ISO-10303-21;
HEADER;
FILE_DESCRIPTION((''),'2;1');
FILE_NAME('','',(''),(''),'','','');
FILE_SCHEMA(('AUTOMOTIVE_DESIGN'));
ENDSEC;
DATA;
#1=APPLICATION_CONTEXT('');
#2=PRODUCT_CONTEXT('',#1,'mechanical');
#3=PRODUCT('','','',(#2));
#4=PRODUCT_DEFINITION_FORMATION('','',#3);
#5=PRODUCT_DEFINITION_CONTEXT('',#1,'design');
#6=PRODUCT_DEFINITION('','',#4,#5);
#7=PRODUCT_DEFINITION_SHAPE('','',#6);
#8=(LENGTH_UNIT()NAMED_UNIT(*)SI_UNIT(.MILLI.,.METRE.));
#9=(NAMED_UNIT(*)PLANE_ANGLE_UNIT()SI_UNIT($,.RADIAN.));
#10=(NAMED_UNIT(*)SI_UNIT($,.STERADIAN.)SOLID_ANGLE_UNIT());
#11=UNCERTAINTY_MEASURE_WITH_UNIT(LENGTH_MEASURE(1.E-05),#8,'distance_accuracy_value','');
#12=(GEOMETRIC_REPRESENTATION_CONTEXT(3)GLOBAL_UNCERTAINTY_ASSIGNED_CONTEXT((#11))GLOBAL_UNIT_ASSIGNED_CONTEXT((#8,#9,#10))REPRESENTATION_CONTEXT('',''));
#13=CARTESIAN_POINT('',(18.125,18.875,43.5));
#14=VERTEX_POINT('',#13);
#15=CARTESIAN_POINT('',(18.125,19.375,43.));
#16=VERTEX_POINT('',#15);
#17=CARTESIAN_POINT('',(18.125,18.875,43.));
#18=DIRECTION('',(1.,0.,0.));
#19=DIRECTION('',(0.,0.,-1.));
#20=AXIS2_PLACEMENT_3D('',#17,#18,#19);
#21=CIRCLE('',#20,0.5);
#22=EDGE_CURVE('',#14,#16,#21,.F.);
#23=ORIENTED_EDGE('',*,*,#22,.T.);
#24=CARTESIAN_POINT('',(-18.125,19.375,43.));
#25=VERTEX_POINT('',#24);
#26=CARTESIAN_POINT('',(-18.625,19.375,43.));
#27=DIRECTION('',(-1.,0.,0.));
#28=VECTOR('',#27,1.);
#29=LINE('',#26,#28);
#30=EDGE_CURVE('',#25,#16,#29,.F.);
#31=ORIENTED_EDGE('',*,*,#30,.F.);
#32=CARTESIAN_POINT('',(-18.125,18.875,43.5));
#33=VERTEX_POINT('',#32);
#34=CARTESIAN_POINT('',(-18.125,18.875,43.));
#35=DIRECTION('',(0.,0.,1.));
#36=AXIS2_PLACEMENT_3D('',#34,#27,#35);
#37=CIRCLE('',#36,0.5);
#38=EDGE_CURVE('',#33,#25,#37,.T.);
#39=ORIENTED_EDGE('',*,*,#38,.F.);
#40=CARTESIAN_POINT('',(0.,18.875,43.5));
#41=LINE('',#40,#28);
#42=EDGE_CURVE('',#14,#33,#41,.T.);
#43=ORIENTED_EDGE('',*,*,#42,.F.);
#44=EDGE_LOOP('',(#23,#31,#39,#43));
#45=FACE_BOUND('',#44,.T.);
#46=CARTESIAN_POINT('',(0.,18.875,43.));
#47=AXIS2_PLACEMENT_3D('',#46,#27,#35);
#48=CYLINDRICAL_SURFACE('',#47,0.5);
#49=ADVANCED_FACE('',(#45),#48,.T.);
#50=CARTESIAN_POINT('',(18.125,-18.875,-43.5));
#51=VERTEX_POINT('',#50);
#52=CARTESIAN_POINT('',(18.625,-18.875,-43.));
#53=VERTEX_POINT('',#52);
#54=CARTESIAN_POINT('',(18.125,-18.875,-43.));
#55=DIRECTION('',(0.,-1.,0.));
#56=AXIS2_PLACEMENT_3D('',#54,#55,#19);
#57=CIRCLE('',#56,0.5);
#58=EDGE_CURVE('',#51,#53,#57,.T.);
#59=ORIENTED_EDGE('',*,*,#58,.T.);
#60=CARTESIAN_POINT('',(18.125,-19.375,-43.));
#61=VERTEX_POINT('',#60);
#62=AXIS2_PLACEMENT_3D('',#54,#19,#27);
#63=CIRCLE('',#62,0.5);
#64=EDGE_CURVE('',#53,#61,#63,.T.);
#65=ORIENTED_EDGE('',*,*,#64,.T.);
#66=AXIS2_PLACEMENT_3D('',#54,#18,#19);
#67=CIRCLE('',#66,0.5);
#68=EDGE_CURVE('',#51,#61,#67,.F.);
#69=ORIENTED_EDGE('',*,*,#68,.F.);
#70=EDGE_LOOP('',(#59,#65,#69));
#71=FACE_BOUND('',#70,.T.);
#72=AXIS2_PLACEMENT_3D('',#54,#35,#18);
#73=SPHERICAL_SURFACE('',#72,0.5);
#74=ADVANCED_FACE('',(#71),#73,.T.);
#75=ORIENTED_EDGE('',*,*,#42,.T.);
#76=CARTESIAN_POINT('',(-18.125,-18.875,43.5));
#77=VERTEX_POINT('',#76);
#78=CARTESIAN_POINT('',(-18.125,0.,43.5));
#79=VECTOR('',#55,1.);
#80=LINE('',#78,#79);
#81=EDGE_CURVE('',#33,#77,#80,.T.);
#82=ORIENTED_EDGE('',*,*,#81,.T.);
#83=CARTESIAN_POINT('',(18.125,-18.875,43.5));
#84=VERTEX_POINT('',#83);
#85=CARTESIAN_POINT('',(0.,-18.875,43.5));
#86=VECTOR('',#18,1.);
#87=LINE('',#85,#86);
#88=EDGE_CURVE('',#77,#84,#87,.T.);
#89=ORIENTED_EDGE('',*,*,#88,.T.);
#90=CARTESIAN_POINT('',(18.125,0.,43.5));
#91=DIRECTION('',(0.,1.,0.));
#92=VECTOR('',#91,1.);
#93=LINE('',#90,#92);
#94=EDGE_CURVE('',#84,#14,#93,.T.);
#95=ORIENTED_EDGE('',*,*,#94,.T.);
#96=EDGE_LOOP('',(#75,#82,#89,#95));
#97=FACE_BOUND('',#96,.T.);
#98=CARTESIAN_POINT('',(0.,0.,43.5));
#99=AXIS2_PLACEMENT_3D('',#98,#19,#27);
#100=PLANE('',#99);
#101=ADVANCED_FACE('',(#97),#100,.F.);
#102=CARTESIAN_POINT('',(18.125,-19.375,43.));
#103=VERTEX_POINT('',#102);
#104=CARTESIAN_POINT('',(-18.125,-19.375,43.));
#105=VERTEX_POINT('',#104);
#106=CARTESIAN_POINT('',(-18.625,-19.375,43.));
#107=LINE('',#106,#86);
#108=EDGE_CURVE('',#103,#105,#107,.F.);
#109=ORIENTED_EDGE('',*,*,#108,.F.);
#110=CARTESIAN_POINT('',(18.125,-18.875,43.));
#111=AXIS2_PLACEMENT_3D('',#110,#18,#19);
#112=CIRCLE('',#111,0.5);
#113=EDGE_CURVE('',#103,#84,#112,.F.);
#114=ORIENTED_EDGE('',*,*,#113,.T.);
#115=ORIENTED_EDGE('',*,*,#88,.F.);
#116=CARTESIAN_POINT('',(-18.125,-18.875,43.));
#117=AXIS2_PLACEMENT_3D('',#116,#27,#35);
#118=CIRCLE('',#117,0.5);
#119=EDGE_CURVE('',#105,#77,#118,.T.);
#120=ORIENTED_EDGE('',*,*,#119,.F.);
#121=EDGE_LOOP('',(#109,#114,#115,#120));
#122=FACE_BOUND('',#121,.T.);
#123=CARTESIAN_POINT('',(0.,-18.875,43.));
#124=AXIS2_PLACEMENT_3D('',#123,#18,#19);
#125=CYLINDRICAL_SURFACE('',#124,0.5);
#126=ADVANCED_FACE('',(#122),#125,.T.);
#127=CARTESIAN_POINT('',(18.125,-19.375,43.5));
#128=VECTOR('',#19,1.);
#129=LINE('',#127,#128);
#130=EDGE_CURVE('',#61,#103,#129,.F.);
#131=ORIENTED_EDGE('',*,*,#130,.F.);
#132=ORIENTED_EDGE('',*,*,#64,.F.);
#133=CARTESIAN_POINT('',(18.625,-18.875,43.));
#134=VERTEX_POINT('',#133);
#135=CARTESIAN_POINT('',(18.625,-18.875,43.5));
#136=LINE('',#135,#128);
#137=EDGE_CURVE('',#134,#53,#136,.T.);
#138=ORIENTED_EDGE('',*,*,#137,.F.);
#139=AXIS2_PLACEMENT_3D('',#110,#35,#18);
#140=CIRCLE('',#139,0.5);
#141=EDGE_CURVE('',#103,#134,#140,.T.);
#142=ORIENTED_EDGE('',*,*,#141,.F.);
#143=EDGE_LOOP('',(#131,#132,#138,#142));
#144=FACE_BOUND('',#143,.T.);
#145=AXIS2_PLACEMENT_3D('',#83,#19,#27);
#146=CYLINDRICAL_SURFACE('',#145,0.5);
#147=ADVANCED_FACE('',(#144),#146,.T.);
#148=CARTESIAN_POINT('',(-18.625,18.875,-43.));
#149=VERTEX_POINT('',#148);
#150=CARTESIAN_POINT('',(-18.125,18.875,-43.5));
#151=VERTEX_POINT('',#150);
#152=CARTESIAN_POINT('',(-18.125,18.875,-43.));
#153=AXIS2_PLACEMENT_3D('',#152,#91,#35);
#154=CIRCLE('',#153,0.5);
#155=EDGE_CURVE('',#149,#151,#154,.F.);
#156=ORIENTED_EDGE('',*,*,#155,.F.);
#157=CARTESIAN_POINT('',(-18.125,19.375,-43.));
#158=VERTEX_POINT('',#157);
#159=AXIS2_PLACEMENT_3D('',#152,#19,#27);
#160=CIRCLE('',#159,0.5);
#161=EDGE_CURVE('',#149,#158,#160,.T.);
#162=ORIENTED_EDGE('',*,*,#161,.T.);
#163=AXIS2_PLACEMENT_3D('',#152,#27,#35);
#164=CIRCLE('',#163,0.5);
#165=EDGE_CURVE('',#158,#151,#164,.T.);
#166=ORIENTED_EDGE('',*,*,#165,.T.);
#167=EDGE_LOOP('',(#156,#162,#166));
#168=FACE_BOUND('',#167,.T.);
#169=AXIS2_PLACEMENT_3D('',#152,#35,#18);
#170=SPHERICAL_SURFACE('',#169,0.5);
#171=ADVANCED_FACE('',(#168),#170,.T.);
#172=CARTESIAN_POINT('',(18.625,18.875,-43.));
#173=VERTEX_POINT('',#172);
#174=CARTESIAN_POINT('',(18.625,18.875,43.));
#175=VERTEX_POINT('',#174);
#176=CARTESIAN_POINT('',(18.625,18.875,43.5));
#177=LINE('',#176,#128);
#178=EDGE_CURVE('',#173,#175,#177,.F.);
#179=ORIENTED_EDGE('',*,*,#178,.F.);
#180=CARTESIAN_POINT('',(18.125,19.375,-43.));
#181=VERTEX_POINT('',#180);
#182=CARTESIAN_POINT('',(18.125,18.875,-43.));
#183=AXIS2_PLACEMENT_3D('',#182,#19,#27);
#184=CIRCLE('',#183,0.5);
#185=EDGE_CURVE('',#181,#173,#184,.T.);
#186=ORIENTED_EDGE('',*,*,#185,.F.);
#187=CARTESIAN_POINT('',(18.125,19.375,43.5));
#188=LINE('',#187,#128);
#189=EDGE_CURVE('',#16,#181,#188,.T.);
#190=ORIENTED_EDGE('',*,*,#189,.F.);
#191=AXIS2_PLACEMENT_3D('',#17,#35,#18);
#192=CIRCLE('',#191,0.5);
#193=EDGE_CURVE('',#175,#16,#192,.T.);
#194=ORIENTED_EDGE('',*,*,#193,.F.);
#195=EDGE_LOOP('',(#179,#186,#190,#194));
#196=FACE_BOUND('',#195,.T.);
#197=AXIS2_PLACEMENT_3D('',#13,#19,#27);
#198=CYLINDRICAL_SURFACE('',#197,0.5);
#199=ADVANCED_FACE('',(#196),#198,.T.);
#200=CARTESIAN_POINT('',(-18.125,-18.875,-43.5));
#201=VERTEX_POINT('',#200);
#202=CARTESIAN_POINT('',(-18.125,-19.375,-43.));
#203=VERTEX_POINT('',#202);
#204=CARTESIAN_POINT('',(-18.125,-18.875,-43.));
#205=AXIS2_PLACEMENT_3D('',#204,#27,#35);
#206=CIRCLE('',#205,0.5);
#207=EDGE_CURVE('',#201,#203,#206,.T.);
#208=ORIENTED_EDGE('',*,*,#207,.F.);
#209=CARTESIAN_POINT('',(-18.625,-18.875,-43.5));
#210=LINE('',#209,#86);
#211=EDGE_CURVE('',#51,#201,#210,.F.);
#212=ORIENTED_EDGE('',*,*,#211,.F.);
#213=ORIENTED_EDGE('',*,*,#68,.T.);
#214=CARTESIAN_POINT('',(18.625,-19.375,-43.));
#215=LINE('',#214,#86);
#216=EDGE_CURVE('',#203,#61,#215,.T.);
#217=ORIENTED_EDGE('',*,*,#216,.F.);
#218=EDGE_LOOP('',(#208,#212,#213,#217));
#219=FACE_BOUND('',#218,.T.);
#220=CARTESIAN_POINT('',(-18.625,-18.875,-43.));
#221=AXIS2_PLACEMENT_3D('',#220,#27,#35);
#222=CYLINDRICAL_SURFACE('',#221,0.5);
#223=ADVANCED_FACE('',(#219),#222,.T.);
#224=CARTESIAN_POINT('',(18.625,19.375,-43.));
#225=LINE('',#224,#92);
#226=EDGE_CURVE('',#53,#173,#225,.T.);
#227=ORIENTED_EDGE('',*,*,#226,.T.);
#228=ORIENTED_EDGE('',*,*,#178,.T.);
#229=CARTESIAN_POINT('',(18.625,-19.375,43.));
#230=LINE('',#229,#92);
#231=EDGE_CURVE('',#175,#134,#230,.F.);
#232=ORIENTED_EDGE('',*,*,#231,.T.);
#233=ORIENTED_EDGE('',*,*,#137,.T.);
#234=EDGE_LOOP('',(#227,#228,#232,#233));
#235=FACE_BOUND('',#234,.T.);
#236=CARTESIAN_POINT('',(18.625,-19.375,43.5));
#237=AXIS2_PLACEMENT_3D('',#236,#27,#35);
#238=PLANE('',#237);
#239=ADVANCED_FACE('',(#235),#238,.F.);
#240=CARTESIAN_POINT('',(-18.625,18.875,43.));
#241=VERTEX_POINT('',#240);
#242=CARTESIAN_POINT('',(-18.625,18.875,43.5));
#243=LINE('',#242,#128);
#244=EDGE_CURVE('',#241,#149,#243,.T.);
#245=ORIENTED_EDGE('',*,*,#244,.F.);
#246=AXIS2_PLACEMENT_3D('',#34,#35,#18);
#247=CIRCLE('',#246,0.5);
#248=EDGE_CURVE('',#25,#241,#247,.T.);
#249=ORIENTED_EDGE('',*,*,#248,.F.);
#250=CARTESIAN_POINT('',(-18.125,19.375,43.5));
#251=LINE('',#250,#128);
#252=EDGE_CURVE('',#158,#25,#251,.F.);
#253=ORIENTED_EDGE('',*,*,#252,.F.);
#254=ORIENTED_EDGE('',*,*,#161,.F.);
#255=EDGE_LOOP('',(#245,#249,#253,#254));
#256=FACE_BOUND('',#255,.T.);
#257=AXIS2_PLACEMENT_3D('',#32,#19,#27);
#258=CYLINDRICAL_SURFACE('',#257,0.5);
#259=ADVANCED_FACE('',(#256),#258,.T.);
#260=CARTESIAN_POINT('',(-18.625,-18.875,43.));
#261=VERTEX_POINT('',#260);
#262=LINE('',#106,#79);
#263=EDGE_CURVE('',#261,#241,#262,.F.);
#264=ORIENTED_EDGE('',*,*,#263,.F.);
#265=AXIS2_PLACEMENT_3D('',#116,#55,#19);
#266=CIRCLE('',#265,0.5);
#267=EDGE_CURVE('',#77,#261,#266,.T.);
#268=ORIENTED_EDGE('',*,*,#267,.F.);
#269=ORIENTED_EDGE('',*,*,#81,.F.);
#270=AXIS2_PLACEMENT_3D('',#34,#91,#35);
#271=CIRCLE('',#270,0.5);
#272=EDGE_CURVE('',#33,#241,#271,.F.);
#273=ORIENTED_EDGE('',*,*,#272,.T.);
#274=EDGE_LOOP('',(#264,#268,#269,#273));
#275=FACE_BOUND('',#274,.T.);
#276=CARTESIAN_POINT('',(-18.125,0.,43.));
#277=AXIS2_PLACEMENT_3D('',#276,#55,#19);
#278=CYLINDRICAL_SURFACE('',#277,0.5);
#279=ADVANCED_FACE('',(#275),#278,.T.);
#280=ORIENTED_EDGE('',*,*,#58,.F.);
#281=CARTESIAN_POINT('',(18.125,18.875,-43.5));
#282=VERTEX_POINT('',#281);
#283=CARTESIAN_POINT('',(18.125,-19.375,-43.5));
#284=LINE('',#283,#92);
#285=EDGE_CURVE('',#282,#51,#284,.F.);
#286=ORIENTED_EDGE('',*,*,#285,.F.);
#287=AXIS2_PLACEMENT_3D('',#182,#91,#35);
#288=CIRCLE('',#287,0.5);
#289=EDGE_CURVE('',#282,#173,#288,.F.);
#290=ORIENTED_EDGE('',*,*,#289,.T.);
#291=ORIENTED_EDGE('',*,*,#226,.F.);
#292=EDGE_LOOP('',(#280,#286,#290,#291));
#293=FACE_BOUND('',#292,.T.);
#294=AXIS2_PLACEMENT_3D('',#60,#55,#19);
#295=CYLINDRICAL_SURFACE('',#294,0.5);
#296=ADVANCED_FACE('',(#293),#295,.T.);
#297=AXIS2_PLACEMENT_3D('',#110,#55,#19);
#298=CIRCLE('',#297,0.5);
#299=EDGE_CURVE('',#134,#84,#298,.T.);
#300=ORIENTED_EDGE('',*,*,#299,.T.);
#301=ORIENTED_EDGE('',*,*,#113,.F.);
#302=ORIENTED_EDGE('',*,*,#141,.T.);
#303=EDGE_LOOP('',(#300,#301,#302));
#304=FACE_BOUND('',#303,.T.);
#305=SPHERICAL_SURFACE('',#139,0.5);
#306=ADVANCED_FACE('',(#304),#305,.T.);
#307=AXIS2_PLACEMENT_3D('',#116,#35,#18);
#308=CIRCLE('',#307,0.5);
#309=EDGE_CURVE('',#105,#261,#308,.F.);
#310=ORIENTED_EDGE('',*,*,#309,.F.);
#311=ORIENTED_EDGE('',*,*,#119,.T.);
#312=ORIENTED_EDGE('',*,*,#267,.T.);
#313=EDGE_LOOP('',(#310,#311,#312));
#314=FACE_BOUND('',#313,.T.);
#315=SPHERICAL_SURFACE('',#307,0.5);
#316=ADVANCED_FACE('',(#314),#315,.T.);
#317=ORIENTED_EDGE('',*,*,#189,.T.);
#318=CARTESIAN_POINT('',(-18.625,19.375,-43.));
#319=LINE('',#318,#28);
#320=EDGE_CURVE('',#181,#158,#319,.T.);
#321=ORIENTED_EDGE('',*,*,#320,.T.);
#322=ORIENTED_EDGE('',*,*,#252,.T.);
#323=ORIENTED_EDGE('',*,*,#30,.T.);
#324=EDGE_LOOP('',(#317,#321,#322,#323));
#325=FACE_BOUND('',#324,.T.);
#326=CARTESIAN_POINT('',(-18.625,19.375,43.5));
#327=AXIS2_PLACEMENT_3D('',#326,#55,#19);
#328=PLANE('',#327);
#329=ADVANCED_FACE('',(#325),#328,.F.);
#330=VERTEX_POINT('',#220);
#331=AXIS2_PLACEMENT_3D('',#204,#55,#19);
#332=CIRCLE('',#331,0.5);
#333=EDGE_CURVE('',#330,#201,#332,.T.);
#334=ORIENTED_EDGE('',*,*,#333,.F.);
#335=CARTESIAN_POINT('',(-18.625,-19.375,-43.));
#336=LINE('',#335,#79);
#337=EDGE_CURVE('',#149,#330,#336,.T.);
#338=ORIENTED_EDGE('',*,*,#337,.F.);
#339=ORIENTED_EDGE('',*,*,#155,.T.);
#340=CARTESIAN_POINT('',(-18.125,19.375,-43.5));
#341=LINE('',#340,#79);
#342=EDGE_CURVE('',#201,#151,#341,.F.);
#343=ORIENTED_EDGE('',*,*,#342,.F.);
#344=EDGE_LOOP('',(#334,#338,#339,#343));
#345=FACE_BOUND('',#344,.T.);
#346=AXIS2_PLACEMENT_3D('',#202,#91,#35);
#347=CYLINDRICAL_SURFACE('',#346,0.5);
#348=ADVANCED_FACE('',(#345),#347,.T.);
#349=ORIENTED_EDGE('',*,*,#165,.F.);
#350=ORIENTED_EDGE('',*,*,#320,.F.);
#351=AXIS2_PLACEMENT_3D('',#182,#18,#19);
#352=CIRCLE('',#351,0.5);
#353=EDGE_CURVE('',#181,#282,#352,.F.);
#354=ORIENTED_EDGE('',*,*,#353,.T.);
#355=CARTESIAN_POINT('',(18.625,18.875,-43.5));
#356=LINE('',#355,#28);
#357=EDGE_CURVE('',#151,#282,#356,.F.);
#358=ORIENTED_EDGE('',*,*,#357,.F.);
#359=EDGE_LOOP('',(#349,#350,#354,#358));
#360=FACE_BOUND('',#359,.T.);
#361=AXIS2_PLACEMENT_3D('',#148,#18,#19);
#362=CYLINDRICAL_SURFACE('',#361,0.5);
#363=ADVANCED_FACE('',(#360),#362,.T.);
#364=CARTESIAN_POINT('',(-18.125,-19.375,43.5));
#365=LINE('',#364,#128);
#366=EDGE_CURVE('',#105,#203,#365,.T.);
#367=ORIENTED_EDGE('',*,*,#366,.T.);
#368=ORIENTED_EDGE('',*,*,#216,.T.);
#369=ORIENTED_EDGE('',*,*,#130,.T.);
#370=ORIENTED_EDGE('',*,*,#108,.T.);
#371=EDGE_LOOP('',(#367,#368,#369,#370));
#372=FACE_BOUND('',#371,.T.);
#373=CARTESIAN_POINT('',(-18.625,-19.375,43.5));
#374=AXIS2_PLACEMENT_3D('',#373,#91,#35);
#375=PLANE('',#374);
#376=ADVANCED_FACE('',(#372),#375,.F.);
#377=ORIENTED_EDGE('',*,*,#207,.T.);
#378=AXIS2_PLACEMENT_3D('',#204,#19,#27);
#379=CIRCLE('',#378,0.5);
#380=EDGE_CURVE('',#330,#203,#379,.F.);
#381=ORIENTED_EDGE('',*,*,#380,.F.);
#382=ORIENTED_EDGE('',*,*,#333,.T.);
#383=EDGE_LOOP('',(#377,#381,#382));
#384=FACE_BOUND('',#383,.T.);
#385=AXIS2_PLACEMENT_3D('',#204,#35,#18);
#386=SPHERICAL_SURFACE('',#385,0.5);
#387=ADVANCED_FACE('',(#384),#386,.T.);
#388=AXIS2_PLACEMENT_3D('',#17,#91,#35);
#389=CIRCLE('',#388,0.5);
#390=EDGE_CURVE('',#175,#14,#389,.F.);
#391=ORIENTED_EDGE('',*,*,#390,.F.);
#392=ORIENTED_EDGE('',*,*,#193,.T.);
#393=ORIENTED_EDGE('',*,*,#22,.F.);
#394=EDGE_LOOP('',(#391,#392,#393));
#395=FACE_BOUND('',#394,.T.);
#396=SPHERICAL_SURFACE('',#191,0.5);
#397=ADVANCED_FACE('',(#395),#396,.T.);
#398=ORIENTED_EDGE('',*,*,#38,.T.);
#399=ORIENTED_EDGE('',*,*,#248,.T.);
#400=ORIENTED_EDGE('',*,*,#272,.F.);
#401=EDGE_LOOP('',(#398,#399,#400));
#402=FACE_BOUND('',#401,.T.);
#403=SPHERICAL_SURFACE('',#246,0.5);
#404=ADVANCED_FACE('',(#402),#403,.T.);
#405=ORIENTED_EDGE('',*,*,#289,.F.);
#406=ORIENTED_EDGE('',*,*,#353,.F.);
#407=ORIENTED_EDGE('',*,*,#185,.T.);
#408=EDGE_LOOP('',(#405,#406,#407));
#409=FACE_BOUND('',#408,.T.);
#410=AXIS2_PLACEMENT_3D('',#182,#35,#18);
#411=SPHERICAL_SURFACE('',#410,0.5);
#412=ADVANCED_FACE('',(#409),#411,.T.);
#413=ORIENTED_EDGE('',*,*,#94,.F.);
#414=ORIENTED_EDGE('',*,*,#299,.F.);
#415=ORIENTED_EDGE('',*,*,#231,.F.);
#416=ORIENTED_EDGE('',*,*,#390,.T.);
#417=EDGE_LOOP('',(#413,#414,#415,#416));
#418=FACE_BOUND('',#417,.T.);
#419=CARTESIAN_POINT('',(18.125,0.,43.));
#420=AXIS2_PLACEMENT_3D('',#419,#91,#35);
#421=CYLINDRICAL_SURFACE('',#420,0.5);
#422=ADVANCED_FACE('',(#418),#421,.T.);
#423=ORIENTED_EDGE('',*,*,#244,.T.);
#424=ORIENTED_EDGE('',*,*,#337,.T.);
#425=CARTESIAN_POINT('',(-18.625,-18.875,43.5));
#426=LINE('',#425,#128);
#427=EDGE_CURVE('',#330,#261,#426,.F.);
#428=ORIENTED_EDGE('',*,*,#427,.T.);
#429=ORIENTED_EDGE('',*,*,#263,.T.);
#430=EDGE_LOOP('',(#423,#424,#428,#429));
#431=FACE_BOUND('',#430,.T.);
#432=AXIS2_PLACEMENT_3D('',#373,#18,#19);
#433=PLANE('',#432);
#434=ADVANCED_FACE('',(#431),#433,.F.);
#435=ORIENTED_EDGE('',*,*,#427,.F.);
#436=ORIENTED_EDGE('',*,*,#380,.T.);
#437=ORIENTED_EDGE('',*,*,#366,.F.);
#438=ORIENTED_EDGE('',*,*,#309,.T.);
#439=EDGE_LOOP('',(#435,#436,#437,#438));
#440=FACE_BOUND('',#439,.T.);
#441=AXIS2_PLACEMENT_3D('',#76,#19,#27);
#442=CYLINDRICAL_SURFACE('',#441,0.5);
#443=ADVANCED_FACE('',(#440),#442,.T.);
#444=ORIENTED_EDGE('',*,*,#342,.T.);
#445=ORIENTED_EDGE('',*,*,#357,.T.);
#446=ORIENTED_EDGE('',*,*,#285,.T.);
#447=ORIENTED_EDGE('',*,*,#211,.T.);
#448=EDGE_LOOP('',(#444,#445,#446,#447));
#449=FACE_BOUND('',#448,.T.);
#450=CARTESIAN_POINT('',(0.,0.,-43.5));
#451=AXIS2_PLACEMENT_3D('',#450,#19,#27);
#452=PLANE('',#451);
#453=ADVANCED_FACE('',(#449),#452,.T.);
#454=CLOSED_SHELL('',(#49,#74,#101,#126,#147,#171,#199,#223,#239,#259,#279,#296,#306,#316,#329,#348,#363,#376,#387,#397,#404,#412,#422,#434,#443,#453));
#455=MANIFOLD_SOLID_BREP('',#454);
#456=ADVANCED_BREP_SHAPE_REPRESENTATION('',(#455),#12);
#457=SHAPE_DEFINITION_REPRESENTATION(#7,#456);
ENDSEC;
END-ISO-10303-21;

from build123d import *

# Parameters (mm, degrees)
SKETCH1_W           = 37.25
SKETCH1_H           = 38.75
BOSS_EXTRUDE1_DEPTH = 43.5
FILLET1_R           = 0.5


with BuildPart() as part:
    # Sketch1 → Boss-Extrude1 (new body, symmetric)
    with BuildSketch(Plane.XY):
        Rectangle(SKETCH1_W, SKETCH1_H)
    extrude(amount=BOSS_EXTRUDE1_DEPTH, both=True)

    # Fillet1
    fillet1_edges = [part.edges().sort_by_distance(p)[0] for p in [
        (-18.625, 0, 43.5),
        (0, -19.375, 43.5),
        (18.625, 0, 43.5),
        (0, -19.375, -43.5),
        (-18.625, 0, -43.5),
        (0, 19.375, -43.5),
        (18.625, 0, -43.5),
        (0, 19.375, 43.5),
        (18.625, -19.375, 0),
        (-18.625, -19.375, 0),
        (-18.625, 19.375, 0),
        (18.625, 19.375, 0),
    ]]
    fillet(fillet1_edges, radius=FILLET1_R)


solid = part.part
